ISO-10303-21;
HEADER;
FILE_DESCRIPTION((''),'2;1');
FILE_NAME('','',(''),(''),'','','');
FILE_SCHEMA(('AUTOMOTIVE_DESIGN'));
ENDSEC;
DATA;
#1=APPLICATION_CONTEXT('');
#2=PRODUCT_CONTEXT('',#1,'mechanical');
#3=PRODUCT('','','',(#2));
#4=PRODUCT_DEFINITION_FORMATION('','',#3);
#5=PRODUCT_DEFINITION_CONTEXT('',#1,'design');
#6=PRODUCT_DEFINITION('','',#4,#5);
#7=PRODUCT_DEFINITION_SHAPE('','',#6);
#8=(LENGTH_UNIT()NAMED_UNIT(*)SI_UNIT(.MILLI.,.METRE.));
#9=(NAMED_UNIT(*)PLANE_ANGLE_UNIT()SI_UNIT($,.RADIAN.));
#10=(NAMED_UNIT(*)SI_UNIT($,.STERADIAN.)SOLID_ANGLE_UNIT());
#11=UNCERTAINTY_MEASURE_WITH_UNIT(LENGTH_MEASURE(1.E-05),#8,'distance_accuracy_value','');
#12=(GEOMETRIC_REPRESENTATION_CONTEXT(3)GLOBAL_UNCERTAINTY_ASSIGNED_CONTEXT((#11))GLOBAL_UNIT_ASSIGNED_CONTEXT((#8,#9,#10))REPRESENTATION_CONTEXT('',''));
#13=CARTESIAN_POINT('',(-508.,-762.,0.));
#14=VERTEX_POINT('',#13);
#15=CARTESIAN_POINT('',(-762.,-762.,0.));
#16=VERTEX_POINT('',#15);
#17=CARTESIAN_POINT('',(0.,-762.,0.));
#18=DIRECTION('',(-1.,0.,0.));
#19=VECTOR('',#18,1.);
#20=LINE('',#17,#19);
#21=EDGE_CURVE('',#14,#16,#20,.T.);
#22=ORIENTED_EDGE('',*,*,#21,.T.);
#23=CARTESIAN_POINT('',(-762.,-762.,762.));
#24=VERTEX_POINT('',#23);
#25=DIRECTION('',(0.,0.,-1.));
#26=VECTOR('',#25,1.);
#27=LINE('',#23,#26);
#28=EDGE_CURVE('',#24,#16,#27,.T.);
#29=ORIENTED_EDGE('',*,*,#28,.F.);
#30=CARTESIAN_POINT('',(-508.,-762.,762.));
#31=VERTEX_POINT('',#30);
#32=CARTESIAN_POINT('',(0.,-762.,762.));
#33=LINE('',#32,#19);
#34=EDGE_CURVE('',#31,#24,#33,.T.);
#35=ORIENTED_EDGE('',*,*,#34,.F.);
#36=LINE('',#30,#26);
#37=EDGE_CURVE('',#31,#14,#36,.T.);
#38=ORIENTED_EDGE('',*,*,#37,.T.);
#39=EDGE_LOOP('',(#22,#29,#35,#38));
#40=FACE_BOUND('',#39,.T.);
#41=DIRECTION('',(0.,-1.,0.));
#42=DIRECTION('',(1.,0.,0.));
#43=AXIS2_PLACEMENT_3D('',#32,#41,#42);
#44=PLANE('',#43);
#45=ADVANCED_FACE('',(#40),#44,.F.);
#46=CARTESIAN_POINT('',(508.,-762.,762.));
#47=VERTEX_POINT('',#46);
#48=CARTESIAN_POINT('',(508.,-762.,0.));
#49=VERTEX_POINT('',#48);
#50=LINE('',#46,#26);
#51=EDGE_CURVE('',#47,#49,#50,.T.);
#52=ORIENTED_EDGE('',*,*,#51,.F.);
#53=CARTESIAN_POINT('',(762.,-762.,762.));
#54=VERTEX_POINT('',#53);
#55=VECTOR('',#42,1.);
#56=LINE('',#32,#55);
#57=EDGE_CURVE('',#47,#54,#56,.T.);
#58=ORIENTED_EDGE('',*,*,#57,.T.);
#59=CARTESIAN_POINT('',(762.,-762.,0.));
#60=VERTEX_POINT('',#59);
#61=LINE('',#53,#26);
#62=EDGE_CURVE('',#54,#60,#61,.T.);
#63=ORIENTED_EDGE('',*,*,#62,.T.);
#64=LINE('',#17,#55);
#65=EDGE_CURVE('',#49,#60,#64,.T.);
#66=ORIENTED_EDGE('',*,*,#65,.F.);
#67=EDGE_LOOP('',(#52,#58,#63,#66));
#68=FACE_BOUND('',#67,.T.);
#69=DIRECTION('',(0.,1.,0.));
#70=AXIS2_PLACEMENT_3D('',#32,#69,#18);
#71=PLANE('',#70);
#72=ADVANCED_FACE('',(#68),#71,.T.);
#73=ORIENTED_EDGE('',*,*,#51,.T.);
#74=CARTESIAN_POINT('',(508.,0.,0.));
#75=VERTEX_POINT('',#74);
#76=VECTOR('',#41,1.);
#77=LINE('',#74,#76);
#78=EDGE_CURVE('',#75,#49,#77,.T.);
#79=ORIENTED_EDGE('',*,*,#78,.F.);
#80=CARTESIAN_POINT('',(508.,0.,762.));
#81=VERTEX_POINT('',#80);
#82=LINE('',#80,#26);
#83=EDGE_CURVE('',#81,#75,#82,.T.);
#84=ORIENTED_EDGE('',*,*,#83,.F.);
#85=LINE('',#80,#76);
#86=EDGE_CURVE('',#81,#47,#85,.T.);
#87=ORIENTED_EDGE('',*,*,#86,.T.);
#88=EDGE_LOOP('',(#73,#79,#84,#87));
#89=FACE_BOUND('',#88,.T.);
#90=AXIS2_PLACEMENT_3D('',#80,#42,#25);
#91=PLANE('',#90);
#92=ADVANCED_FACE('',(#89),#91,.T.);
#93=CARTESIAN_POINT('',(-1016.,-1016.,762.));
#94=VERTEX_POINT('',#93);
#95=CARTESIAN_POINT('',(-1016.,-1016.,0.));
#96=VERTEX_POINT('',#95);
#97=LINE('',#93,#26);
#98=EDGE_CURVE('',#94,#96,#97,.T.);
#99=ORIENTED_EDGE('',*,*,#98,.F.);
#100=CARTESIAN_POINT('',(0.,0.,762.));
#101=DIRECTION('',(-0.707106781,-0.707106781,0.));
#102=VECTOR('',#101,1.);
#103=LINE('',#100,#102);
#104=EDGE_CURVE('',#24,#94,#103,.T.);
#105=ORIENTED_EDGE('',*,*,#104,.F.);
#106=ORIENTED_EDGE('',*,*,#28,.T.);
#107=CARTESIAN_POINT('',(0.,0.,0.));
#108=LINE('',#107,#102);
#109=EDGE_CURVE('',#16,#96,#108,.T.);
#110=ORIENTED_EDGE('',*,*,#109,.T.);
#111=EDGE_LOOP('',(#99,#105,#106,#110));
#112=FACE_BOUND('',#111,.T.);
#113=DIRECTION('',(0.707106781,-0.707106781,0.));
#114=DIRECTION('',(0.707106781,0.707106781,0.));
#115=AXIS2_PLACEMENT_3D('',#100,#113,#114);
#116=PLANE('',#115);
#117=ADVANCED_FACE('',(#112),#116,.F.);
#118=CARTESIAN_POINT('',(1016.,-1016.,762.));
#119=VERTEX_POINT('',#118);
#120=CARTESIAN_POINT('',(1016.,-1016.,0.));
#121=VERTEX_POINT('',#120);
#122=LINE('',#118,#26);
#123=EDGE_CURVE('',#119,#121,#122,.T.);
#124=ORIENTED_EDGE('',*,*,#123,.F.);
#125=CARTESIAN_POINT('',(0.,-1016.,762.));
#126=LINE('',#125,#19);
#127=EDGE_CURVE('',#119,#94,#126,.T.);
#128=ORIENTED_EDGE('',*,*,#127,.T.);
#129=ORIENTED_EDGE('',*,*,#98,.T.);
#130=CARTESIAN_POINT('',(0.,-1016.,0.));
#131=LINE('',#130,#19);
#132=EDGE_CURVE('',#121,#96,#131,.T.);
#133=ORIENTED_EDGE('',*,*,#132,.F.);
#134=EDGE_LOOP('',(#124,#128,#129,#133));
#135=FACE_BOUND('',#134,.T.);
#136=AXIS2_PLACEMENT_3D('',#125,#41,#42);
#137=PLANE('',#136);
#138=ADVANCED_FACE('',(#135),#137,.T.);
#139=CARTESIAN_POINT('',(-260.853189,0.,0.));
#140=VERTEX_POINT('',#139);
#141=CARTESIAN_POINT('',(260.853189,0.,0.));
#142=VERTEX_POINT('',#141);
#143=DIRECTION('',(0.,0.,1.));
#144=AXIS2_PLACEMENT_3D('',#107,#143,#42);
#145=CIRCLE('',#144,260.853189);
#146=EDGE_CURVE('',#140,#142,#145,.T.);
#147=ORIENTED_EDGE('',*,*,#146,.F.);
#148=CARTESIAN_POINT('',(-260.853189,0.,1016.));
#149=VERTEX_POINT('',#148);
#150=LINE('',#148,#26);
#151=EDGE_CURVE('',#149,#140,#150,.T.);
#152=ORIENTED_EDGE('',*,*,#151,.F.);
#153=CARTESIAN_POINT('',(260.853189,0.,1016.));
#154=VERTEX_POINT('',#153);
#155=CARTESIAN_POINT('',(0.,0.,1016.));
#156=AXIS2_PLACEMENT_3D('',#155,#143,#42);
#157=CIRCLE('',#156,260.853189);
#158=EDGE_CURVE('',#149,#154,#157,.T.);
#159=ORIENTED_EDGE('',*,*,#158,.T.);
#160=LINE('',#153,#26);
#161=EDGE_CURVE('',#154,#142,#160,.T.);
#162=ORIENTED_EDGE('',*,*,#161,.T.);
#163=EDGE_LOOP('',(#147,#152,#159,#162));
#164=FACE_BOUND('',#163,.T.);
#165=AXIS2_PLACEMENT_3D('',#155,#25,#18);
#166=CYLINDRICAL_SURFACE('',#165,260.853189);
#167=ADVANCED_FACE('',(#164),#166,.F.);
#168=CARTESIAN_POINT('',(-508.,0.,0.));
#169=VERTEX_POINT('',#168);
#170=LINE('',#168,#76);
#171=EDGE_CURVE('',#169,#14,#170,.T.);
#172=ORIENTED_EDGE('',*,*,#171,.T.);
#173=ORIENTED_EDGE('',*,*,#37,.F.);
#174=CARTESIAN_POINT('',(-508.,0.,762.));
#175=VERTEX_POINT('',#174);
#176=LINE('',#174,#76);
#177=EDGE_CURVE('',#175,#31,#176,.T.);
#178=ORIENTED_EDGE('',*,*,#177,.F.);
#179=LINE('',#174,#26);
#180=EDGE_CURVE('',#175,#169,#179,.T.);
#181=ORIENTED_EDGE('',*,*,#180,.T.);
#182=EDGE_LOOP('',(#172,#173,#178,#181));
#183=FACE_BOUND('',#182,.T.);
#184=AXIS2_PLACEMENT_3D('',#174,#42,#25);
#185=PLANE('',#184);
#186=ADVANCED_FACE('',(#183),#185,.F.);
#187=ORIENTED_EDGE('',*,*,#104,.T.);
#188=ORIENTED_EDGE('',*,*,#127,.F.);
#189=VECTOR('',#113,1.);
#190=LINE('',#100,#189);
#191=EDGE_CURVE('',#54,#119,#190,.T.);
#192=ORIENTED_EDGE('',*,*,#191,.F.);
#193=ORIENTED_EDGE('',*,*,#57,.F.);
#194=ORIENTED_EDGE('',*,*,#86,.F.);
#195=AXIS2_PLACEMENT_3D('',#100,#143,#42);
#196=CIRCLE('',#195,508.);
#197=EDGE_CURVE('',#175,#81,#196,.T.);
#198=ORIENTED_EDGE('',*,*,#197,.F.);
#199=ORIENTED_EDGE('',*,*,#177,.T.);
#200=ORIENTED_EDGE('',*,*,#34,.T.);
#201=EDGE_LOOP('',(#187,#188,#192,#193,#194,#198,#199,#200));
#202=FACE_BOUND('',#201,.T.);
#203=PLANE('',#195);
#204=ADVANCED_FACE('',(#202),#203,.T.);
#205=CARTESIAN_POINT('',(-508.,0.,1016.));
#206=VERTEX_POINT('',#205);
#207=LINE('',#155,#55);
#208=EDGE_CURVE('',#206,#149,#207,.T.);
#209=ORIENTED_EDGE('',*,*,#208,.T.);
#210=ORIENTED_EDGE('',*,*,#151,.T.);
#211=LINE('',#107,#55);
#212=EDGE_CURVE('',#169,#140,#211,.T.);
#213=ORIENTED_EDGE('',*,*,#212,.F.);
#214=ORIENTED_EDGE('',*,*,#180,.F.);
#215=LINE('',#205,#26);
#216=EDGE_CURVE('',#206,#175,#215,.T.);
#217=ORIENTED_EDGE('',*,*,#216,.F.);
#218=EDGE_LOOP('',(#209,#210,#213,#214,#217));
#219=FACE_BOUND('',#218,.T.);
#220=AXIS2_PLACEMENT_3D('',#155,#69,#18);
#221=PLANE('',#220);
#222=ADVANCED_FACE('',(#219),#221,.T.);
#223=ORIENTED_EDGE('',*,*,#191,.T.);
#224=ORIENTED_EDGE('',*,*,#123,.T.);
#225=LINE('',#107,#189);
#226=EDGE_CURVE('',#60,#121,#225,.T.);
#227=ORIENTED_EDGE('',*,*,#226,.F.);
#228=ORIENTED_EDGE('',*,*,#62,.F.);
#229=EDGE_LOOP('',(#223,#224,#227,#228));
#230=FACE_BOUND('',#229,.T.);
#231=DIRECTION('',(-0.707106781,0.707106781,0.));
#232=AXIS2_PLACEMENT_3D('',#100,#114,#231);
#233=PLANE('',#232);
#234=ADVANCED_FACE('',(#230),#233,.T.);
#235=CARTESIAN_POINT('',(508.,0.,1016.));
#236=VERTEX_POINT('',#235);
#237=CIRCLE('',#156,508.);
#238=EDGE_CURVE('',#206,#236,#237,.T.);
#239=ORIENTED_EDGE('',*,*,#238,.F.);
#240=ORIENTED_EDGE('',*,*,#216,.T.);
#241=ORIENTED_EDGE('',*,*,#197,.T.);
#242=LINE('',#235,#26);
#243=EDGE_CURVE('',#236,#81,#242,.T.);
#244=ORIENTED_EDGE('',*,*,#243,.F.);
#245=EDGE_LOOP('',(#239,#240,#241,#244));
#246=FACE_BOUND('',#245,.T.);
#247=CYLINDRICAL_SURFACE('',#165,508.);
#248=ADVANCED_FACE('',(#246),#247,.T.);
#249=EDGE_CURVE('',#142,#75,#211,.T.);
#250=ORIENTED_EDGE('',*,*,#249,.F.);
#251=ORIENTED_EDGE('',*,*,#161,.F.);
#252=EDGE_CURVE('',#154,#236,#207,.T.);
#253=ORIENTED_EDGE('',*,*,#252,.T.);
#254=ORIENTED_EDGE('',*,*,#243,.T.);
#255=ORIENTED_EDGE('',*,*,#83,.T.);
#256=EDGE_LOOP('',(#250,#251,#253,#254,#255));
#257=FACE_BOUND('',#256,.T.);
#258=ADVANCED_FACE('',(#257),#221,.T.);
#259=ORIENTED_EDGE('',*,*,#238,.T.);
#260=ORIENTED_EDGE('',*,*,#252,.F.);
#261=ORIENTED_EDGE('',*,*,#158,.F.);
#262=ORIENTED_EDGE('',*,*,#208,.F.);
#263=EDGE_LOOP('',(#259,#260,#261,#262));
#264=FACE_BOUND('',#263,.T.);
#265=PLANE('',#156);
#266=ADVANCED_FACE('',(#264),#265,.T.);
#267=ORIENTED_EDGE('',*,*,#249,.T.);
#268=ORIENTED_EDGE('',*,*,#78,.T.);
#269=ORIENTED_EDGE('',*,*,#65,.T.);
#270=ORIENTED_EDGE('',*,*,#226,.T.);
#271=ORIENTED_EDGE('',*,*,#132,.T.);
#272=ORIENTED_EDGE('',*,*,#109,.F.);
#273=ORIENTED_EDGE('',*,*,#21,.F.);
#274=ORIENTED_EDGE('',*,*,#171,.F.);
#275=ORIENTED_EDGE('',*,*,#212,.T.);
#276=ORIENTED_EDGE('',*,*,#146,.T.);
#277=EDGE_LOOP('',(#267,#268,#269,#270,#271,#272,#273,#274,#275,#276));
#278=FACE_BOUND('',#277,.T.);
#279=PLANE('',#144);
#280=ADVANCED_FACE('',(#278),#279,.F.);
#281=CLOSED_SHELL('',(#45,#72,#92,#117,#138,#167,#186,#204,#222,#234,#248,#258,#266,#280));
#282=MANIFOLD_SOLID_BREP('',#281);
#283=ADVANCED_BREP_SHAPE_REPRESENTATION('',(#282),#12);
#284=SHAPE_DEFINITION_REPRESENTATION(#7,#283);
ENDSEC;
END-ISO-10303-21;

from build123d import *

# Parameters (mm, degrees)
BOSS_EXTRUDE1_DEPTH = 762
BOSS_EXTRUDE2_DEPTH = 1016


with BuildPart() as part:
    # Sketch1 → Boss-Extrude1 (new body)
    with BuildSketch(Plane.XY):
        with BuildLine():
            ThreePointArc((508, 0), (0, -508), (-508, 0))
            Line((-508, 0), (-508, -762))
            Line((-508, -762), (-762, -762))
            Line((-762, -762), (-1016, -1016))
            Line((-1016, -1016), (1016, -1016))
            Line((1016, -1016), (762, -762))
            Line((762, -762), (508, -762))
            Line((508, -762), (508, 0))
        make_face()
    extrude(amount=BOSS_EXTRUDE1_DEPTH)

    # Sketch1<3> → Boss-Extrude2 (add)
    with BuildSketch(Plane.XY):
        with BuildLine():
            ThreePointArc((260.853189007, 0), (0, -260.853189007), (-260.853189007, 0))
            Line((-260.853189007, 0), (-508, 0))
            ThreePointArc((-508, 0), (0, -508), (508, 0))
            Line((508, 0), (260.853189007, 0))
        make_face()
    extrude(amount=BOSS_EXTRUDE2_DEPTH)


solid = part.part
